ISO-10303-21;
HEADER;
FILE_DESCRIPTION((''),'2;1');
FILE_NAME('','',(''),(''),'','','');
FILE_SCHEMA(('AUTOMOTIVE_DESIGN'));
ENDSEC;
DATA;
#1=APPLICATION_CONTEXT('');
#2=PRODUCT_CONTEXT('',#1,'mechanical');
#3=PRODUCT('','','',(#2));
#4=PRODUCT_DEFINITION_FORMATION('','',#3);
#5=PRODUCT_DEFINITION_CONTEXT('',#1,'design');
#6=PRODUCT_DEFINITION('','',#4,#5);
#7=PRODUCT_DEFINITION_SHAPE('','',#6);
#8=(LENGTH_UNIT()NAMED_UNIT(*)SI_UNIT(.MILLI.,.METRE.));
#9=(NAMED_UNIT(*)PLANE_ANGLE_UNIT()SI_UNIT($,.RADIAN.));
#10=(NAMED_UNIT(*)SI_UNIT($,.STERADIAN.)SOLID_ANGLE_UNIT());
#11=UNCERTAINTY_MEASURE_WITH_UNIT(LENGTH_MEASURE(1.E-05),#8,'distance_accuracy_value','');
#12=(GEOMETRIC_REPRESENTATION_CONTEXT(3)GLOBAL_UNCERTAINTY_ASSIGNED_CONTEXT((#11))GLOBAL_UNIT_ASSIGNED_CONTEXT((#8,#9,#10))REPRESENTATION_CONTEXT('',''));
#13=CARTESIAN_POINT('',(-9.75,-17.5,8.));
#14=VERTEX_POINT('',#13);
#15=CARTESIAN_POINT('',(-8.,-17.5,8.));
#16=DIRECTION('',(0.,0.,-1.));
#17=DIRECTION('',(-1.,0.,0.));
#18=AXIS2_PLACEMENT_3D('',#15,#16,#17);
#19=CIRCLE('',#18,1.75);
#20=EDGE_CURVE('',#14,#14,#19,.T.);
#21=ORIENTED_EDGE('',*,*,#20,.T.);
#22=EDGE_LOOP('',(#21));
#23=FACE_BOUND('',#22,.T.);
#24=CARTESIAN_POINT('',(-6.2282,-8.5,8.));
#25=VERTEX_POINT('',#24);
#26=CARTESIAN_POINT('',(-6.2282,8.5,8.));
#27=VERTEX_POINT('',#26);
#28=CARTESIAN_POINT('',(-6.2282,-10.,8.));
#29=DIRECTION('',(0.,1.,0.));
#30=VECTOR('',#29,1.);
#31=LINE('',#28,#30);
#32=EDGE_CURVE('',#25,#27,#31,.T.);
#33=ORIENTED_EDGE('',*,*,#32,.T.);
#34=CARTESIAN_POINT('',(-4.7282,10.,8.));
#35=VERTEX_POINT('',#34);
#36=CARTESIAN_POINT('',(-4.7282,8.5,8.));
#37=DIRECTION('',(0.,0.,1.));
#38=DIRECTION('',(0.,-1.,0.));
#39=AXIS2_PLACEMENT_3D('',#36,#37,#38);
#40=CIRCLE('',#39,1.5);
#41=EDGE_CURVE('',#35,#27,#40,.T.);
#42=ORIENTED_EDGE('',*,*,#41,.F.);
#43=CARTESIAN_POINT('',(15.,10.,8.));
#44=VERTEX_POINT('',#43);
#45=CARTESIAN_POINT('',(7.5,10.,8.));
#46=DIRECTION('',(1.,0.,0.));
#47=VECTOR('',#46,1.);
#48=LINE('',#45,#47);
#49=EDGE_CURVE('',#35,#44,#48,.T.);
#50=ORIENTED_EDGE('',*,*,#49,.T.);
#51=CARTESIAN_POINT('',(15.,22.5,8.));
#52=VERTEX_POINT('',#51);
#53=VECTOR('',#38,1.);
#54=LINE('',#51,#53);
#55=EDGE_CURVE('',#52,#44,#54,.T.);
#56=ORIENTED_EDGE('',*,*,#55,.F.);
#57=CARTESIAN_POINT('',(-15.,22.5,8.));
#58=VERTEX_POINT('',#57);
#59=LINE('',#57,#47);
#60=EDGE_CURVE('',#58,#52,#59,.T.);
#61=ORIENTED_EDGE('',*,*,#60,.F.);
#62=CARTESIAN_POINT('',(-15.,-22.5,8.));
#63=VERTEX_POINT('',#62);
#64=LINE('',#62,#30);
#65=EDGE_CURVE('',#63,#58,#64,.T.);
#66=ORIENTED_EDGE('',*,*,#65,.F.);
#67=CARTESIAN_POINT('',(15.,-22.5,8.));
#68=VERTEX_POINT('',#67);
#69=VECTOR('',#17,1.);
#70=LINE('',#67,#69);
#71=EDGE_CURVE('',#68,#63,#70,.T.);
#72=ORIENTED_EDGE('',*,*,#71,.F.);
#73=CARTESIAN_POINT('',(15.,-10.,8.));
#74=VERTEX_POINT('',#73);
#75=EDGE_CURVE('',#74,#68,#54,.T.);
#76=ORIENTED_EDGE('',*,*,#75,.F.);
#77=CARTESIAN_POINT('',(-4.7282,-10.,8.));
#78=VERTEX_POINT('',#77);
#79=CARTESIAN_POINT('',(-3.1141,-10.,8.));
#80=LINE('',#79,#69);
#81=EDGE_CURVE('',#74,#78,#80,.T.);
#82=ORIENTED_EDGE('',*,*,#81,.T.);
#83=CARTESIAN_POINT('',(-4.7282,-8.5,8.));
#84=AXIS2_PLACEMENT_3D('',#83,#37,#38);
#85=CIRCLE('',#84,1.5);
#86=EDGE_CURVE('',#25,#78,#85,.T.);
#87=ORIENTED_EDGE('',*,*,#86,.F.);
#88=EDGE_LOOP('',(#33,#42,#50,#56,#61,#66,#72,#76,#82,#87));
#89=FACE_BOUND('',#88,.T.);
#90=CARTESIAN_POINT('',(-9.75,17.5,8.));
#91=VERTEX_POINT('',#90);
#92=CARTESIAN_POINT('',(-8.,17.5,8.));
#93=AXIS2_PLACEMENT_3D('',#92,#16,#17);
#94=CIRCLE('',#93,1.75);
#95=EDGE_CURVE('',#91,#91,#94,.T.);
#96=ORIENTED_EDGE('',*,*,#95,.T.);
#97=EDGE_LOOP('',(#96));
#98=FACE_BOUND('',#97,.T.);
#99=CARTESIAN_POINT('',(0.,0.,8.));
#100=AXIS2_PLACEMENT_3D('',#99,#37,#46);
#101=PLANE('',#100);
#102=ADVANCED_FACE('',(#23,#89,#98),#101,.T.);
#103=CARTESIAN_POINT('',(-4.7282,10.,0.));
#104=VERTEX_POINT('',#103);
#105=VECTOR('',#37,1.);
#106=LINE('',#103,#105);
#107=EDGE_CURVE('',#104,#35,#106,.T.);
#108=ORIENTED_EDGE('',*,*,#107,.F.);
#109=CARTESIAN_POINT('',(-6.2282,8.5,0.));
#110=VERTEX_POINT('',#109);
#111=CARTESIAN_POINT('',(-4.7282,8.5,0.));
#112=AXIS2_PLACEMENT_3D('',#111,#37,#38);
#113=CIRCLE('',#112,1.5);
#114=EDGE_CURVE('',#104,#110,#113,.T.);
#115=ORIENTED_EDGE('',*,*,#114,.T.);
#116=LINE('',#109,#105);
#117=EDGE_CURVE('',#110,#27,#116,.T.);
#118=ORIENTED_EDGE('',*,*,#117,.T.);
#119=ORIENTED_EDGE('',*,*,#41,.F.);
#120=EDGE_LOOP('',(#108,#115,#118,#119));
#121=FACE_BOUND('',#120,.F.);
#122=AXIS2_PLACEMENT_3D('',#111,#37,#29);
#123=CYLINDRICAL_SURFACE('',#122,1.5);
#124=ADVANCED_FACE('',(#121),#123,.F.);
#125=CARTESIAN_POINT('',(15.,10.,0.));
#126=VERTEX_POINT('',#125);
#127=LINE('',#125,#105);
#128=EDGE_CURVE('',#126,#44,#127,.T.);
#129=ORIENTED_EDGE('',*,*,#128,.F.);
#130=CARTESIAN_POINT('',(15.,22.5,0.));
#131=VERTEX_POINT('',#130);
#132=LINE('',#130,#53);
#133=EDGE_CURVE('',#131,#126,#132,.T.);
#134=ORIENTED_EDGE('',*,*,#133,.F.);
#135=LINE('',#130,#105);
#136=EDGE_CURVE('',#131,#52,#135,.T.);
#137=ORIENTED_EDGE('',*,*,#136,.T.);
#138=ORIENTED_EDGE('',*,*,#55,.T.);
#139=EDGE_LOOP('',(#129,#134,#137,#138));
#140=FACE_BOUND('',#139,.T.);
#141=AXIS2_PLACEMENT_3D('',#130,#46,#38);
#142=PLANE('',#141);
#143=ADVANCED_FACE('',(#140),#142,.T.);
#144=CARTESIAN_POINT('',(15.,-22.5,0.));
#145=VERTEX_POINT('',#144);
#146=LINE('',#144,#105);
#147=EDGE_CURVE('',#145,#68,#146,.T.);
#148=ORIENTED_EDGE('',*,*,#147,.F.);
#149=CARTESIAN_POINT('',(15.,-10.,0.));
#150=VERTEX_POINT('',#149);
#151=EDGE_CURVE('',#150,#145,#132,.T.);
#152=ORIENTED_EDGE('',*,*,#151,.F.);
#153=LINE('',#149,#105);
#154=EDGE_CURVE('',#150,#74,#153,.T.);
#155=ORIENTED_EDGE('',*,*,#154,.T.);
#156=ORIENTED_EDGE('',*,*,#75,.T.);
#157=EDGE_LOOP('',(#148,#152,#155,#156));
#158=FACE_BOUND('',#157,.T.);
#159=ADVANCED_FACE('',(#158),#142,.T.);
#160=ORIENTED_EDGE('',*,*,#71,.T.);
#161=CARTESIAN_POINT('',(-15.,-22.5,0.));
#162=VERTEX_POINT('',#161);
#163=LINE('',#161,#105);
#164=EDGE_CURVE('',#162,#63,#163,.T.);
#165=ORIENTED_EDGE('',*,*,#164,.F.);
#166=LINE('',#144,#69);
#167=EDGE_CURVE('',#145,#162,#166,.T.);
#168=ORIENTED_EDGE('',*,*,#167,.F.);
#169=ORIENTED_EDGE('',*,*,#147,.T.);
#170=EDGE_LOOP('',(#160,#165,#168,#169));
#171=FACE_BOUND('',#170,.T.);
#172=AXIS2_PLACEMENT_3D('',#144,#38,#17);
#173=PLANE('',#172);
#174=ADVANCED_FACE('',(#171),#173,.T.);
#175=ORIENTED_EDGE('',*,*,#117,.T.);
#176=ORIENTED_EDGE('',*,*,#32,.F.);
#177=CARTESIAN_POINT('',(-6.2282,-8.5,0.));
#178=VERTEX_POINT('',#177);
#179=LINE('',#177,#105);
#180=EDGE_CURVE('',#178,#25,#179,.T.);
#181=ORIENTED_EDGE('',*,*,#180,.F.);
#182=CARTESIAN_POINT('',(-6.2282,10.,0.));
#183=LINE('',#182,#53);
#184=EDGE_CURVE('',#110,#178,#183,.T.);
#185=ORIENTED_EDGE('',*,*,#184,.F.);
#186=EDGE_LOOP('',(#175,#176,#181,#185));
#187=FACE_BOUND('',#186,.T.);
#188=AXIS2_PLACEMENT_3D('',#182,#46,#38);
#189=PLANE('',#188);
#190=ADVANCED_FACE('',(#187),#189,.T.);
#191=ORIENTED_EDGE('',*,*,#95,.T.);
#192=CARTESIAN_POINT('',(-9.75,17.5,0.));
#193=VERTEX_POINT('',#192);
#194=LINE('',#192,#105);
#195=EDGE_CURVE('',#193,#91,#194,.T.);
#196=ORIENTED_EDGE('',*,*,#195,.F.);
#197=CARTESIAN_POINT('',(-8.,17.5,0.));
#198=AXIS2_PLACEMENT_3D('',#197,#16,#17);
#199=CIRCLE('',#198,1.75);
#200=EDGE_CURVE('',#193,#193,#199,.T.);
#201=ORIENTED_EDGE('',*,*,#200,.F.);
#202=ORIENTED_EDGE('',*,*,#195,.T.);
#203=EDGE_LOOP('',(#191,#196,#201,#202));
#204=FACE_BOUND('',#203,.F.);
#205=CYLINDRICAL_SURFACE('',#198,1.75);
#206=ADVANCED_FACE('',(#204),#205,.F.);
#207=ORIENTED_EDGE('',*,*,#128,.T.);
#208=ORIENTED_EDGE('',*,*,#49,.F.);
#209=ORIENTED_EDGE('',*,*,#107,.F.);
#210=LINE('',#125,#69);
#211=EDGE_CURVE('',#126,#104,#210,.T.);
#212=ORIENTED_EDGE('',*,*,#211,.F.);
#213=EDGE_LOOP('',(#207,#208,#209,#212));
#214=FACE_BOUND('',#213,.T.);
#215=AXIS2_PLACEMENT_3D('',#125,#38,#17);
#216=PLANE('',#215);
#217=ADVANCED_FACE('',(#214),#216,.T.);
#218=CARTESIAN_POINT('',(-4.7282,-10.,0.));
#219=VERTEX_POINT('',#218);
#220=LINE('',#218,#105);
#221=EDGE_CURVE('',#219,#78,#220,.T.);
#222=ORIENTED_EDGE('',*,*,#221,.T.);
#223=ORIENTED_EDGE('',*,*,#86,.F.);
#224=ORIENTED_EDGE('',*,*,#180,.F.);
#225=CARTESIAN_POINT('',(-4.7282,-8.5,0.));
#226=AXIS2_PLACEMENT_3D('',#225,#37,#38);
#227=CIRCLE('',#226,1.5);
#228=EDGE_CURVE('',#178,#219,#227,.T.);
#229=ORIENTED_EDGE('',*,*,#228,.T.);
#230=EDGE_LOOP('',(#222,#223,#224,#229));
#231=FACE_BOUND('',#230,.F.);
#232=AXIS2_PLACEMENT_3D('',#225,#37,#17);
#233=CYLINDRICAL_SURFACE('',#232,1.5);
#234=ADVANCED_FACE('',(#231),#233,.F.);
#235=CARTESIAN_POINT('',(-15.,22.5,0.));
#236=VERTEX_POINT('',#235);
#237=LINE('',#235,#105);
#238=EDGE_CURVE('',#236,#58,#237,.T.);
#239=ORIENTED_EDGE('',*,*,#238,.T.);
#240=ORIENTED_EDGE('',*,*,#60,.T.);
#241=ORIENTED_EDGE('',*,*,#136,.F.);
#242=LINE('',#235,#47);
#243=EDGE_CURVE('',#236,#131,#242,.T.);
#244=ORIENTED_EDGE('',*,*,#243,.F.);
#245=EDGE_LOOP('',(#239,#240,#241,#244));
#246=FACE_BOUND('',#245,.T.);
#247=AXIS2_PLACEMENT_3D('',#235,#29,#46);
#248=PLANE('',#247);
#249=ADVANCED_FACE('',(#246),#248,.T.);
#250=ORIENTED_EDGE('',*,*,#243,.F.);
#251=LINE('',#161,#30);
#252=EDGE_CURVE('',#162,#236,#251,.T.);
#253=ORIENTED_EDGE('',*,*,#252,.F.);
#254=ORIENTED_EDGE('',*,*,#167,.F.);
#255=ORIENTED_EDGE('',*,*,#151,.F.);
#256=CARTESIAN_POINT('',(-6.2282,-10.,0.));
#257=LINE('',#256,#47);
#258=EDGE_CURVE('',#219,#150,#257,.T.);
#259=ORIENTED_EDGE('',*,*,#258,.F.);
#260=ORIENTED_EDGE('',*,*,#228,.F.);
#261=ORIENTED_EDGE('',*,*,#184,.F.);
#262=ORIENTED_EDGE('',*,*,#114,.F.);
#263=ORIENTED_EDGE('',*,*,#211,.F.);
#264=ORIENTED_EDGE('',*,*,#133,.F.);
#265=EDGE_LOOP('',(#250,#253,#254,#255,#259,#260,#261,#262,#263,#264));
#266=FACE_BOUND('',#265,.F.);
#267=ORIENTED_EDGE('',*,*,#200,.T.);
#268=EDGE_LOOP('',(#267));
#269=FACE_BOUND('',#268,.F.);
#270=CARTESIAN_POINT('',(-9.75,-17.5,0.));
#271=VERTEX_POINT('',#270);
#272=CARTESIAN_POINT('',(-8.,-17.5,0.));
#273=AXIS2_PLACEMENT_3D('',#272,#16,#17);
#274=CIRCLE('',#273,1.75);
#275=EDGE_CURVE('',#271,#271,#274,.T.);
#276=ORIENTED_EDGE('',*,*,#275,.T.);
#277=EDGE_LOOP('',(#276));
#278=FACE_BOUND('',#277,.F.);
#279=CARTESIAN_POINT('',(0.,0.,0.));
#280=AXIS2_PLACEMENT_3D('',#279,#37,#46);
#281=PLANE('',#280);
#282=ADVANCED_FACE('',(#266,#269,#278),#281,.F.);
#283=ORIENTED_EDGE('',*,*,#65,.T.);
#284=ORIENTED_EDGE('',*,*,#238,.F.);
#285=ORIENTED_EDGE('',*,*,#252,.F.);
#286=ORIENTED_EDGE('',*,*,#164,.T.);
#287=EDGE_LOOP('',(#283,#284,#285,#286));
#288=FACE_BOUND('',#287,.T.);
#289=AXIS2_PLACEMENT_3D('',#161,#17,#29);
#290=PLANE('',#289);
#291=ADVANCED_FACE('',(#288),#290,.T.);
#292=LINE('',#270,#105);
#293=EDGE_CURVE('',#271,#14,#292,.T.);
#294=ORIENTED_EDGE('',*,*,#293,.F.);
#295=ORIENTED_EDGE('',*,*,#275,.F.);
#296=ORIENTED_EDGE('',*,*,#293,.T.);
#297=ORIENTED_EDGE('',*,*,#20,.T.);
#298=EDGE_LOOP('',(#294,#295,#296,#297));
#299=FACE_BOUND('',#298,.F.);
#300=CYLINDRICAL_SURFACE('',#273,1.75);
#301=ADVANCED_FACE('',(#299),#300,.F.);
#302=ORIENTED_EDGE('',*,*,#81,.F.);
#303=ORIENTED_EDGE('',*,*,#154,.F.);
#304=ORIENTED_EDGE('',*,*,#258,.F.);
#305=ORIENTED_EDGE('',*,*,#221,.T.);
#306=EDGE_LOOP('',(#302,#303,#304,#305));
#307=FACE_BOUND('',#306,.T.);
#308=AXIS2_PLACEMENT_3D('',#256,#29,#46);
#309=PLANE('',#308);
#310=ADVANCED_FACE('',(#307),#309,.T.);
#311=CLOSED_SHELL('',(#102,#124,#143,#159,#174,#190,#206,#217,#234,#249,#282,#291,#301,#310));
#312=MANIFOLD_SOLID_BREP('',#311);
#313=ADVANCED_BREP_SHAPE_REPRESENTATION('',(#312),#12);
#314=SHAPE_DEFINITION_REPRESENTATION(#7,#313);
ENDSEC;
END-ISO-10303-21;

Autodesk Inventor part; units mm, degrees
ref_plane "YZ Plane" through (0, 0, 0) normal (1, 0, 0) x (0, 1, 0)
ref_plane "XZ Plane" through (0, 0, 0) normal (0, 1, 0) x (-1, 0, 0)
ref_plane "XY Plane" through (0, 0, 0) normal (0, 0, 1) x (1, 0, 0)
sketch "Sketch1" plane through (0, 0, 0) normal (0, 0, 1) x (1, 0, 0)
  line L0 (-15, 22.5) -> (15, 22.5)
  line L1 (15, 22.5) -> (15, -22.5)
  line L2 (15, -22.5) -> (-15, -22.5)
  line L3 (-15, -22.5) -> (-15, 22.5)
  point P0 (0, 0)
  point P1 (0, 22.5)
  point P2 (-15, 0)
  dimension "d0" = 30
  dimension "d1" = 45
extrude "Extrusion1" add sketch "Sketch1" along normal blind 8
sketch "Sketch3" plane through (0, 0, 0) normal (0, 0, -1) x (-1, 0, 0)
  arc A0 (6.2282, -0.4043) -> (6.2368, 0) centre (-3.25, 0) ccw projected
  line L0 (6.2282, -10) -> (-15, -10)
  line L1 (-15, -10) -> (-15, 10)
  line L2 (-15, 10) -> (6.2282, 10)
  line L3 (6.2282, 10) -> (6.2282, -10)
  line L4 (15, 22.5) -> (15, -22.5) projected
  line L5 (-15, -22.5) -> (-15, 22.5) projected
  point P0 (0, 0)
  point P1 (6.2282, 0)
  point P2 (15, 0)
  dimension "d8" = 0
  dimension "d9" = 20
extrude "Extrusion3" cut sketch "Sketch3" against normal blind 10
sketch "Sketch4" plane through (0, 0, 0) normal (0, 0, -1) x (-1, 0, 0)
  line L0 (-15, -22.5) -> (-15, -10) projected
  line L1 (-15, 10) -> (-15, 22.5) projected
  circle A0 centre (8, 17.5) radius 1.75
  circle A1 centre (8, -17.5) radius 1.75
  line L2 (-15, 22.5) -> (15, 22.5) projected
  line L3 (15, 22.5) -> (15, -22.5) projected
  line L4 (15, -22.5) -> (-15, -22.5) projected
  point P0 (-15, -16.25)
  point P1 (-15, 16.25)
  dimension "d17" = 3.5
  dimension "d18" = 3.5
  dimension "d19" = 5
  dimension "d20" = 7
  dimension "d21" = 5
  dimension "d22" = 35
extrude "Extrusion4" cut sketch "Sketch4" against normal through all
fillet "Fillet1" radius 1.5 2 edges at (-6.2282, -10, 4) (-6.2282, 10, 4)
equation "\"d21\" = d19"
properties part number "0005-10-004 Actionare 2 seringa"
